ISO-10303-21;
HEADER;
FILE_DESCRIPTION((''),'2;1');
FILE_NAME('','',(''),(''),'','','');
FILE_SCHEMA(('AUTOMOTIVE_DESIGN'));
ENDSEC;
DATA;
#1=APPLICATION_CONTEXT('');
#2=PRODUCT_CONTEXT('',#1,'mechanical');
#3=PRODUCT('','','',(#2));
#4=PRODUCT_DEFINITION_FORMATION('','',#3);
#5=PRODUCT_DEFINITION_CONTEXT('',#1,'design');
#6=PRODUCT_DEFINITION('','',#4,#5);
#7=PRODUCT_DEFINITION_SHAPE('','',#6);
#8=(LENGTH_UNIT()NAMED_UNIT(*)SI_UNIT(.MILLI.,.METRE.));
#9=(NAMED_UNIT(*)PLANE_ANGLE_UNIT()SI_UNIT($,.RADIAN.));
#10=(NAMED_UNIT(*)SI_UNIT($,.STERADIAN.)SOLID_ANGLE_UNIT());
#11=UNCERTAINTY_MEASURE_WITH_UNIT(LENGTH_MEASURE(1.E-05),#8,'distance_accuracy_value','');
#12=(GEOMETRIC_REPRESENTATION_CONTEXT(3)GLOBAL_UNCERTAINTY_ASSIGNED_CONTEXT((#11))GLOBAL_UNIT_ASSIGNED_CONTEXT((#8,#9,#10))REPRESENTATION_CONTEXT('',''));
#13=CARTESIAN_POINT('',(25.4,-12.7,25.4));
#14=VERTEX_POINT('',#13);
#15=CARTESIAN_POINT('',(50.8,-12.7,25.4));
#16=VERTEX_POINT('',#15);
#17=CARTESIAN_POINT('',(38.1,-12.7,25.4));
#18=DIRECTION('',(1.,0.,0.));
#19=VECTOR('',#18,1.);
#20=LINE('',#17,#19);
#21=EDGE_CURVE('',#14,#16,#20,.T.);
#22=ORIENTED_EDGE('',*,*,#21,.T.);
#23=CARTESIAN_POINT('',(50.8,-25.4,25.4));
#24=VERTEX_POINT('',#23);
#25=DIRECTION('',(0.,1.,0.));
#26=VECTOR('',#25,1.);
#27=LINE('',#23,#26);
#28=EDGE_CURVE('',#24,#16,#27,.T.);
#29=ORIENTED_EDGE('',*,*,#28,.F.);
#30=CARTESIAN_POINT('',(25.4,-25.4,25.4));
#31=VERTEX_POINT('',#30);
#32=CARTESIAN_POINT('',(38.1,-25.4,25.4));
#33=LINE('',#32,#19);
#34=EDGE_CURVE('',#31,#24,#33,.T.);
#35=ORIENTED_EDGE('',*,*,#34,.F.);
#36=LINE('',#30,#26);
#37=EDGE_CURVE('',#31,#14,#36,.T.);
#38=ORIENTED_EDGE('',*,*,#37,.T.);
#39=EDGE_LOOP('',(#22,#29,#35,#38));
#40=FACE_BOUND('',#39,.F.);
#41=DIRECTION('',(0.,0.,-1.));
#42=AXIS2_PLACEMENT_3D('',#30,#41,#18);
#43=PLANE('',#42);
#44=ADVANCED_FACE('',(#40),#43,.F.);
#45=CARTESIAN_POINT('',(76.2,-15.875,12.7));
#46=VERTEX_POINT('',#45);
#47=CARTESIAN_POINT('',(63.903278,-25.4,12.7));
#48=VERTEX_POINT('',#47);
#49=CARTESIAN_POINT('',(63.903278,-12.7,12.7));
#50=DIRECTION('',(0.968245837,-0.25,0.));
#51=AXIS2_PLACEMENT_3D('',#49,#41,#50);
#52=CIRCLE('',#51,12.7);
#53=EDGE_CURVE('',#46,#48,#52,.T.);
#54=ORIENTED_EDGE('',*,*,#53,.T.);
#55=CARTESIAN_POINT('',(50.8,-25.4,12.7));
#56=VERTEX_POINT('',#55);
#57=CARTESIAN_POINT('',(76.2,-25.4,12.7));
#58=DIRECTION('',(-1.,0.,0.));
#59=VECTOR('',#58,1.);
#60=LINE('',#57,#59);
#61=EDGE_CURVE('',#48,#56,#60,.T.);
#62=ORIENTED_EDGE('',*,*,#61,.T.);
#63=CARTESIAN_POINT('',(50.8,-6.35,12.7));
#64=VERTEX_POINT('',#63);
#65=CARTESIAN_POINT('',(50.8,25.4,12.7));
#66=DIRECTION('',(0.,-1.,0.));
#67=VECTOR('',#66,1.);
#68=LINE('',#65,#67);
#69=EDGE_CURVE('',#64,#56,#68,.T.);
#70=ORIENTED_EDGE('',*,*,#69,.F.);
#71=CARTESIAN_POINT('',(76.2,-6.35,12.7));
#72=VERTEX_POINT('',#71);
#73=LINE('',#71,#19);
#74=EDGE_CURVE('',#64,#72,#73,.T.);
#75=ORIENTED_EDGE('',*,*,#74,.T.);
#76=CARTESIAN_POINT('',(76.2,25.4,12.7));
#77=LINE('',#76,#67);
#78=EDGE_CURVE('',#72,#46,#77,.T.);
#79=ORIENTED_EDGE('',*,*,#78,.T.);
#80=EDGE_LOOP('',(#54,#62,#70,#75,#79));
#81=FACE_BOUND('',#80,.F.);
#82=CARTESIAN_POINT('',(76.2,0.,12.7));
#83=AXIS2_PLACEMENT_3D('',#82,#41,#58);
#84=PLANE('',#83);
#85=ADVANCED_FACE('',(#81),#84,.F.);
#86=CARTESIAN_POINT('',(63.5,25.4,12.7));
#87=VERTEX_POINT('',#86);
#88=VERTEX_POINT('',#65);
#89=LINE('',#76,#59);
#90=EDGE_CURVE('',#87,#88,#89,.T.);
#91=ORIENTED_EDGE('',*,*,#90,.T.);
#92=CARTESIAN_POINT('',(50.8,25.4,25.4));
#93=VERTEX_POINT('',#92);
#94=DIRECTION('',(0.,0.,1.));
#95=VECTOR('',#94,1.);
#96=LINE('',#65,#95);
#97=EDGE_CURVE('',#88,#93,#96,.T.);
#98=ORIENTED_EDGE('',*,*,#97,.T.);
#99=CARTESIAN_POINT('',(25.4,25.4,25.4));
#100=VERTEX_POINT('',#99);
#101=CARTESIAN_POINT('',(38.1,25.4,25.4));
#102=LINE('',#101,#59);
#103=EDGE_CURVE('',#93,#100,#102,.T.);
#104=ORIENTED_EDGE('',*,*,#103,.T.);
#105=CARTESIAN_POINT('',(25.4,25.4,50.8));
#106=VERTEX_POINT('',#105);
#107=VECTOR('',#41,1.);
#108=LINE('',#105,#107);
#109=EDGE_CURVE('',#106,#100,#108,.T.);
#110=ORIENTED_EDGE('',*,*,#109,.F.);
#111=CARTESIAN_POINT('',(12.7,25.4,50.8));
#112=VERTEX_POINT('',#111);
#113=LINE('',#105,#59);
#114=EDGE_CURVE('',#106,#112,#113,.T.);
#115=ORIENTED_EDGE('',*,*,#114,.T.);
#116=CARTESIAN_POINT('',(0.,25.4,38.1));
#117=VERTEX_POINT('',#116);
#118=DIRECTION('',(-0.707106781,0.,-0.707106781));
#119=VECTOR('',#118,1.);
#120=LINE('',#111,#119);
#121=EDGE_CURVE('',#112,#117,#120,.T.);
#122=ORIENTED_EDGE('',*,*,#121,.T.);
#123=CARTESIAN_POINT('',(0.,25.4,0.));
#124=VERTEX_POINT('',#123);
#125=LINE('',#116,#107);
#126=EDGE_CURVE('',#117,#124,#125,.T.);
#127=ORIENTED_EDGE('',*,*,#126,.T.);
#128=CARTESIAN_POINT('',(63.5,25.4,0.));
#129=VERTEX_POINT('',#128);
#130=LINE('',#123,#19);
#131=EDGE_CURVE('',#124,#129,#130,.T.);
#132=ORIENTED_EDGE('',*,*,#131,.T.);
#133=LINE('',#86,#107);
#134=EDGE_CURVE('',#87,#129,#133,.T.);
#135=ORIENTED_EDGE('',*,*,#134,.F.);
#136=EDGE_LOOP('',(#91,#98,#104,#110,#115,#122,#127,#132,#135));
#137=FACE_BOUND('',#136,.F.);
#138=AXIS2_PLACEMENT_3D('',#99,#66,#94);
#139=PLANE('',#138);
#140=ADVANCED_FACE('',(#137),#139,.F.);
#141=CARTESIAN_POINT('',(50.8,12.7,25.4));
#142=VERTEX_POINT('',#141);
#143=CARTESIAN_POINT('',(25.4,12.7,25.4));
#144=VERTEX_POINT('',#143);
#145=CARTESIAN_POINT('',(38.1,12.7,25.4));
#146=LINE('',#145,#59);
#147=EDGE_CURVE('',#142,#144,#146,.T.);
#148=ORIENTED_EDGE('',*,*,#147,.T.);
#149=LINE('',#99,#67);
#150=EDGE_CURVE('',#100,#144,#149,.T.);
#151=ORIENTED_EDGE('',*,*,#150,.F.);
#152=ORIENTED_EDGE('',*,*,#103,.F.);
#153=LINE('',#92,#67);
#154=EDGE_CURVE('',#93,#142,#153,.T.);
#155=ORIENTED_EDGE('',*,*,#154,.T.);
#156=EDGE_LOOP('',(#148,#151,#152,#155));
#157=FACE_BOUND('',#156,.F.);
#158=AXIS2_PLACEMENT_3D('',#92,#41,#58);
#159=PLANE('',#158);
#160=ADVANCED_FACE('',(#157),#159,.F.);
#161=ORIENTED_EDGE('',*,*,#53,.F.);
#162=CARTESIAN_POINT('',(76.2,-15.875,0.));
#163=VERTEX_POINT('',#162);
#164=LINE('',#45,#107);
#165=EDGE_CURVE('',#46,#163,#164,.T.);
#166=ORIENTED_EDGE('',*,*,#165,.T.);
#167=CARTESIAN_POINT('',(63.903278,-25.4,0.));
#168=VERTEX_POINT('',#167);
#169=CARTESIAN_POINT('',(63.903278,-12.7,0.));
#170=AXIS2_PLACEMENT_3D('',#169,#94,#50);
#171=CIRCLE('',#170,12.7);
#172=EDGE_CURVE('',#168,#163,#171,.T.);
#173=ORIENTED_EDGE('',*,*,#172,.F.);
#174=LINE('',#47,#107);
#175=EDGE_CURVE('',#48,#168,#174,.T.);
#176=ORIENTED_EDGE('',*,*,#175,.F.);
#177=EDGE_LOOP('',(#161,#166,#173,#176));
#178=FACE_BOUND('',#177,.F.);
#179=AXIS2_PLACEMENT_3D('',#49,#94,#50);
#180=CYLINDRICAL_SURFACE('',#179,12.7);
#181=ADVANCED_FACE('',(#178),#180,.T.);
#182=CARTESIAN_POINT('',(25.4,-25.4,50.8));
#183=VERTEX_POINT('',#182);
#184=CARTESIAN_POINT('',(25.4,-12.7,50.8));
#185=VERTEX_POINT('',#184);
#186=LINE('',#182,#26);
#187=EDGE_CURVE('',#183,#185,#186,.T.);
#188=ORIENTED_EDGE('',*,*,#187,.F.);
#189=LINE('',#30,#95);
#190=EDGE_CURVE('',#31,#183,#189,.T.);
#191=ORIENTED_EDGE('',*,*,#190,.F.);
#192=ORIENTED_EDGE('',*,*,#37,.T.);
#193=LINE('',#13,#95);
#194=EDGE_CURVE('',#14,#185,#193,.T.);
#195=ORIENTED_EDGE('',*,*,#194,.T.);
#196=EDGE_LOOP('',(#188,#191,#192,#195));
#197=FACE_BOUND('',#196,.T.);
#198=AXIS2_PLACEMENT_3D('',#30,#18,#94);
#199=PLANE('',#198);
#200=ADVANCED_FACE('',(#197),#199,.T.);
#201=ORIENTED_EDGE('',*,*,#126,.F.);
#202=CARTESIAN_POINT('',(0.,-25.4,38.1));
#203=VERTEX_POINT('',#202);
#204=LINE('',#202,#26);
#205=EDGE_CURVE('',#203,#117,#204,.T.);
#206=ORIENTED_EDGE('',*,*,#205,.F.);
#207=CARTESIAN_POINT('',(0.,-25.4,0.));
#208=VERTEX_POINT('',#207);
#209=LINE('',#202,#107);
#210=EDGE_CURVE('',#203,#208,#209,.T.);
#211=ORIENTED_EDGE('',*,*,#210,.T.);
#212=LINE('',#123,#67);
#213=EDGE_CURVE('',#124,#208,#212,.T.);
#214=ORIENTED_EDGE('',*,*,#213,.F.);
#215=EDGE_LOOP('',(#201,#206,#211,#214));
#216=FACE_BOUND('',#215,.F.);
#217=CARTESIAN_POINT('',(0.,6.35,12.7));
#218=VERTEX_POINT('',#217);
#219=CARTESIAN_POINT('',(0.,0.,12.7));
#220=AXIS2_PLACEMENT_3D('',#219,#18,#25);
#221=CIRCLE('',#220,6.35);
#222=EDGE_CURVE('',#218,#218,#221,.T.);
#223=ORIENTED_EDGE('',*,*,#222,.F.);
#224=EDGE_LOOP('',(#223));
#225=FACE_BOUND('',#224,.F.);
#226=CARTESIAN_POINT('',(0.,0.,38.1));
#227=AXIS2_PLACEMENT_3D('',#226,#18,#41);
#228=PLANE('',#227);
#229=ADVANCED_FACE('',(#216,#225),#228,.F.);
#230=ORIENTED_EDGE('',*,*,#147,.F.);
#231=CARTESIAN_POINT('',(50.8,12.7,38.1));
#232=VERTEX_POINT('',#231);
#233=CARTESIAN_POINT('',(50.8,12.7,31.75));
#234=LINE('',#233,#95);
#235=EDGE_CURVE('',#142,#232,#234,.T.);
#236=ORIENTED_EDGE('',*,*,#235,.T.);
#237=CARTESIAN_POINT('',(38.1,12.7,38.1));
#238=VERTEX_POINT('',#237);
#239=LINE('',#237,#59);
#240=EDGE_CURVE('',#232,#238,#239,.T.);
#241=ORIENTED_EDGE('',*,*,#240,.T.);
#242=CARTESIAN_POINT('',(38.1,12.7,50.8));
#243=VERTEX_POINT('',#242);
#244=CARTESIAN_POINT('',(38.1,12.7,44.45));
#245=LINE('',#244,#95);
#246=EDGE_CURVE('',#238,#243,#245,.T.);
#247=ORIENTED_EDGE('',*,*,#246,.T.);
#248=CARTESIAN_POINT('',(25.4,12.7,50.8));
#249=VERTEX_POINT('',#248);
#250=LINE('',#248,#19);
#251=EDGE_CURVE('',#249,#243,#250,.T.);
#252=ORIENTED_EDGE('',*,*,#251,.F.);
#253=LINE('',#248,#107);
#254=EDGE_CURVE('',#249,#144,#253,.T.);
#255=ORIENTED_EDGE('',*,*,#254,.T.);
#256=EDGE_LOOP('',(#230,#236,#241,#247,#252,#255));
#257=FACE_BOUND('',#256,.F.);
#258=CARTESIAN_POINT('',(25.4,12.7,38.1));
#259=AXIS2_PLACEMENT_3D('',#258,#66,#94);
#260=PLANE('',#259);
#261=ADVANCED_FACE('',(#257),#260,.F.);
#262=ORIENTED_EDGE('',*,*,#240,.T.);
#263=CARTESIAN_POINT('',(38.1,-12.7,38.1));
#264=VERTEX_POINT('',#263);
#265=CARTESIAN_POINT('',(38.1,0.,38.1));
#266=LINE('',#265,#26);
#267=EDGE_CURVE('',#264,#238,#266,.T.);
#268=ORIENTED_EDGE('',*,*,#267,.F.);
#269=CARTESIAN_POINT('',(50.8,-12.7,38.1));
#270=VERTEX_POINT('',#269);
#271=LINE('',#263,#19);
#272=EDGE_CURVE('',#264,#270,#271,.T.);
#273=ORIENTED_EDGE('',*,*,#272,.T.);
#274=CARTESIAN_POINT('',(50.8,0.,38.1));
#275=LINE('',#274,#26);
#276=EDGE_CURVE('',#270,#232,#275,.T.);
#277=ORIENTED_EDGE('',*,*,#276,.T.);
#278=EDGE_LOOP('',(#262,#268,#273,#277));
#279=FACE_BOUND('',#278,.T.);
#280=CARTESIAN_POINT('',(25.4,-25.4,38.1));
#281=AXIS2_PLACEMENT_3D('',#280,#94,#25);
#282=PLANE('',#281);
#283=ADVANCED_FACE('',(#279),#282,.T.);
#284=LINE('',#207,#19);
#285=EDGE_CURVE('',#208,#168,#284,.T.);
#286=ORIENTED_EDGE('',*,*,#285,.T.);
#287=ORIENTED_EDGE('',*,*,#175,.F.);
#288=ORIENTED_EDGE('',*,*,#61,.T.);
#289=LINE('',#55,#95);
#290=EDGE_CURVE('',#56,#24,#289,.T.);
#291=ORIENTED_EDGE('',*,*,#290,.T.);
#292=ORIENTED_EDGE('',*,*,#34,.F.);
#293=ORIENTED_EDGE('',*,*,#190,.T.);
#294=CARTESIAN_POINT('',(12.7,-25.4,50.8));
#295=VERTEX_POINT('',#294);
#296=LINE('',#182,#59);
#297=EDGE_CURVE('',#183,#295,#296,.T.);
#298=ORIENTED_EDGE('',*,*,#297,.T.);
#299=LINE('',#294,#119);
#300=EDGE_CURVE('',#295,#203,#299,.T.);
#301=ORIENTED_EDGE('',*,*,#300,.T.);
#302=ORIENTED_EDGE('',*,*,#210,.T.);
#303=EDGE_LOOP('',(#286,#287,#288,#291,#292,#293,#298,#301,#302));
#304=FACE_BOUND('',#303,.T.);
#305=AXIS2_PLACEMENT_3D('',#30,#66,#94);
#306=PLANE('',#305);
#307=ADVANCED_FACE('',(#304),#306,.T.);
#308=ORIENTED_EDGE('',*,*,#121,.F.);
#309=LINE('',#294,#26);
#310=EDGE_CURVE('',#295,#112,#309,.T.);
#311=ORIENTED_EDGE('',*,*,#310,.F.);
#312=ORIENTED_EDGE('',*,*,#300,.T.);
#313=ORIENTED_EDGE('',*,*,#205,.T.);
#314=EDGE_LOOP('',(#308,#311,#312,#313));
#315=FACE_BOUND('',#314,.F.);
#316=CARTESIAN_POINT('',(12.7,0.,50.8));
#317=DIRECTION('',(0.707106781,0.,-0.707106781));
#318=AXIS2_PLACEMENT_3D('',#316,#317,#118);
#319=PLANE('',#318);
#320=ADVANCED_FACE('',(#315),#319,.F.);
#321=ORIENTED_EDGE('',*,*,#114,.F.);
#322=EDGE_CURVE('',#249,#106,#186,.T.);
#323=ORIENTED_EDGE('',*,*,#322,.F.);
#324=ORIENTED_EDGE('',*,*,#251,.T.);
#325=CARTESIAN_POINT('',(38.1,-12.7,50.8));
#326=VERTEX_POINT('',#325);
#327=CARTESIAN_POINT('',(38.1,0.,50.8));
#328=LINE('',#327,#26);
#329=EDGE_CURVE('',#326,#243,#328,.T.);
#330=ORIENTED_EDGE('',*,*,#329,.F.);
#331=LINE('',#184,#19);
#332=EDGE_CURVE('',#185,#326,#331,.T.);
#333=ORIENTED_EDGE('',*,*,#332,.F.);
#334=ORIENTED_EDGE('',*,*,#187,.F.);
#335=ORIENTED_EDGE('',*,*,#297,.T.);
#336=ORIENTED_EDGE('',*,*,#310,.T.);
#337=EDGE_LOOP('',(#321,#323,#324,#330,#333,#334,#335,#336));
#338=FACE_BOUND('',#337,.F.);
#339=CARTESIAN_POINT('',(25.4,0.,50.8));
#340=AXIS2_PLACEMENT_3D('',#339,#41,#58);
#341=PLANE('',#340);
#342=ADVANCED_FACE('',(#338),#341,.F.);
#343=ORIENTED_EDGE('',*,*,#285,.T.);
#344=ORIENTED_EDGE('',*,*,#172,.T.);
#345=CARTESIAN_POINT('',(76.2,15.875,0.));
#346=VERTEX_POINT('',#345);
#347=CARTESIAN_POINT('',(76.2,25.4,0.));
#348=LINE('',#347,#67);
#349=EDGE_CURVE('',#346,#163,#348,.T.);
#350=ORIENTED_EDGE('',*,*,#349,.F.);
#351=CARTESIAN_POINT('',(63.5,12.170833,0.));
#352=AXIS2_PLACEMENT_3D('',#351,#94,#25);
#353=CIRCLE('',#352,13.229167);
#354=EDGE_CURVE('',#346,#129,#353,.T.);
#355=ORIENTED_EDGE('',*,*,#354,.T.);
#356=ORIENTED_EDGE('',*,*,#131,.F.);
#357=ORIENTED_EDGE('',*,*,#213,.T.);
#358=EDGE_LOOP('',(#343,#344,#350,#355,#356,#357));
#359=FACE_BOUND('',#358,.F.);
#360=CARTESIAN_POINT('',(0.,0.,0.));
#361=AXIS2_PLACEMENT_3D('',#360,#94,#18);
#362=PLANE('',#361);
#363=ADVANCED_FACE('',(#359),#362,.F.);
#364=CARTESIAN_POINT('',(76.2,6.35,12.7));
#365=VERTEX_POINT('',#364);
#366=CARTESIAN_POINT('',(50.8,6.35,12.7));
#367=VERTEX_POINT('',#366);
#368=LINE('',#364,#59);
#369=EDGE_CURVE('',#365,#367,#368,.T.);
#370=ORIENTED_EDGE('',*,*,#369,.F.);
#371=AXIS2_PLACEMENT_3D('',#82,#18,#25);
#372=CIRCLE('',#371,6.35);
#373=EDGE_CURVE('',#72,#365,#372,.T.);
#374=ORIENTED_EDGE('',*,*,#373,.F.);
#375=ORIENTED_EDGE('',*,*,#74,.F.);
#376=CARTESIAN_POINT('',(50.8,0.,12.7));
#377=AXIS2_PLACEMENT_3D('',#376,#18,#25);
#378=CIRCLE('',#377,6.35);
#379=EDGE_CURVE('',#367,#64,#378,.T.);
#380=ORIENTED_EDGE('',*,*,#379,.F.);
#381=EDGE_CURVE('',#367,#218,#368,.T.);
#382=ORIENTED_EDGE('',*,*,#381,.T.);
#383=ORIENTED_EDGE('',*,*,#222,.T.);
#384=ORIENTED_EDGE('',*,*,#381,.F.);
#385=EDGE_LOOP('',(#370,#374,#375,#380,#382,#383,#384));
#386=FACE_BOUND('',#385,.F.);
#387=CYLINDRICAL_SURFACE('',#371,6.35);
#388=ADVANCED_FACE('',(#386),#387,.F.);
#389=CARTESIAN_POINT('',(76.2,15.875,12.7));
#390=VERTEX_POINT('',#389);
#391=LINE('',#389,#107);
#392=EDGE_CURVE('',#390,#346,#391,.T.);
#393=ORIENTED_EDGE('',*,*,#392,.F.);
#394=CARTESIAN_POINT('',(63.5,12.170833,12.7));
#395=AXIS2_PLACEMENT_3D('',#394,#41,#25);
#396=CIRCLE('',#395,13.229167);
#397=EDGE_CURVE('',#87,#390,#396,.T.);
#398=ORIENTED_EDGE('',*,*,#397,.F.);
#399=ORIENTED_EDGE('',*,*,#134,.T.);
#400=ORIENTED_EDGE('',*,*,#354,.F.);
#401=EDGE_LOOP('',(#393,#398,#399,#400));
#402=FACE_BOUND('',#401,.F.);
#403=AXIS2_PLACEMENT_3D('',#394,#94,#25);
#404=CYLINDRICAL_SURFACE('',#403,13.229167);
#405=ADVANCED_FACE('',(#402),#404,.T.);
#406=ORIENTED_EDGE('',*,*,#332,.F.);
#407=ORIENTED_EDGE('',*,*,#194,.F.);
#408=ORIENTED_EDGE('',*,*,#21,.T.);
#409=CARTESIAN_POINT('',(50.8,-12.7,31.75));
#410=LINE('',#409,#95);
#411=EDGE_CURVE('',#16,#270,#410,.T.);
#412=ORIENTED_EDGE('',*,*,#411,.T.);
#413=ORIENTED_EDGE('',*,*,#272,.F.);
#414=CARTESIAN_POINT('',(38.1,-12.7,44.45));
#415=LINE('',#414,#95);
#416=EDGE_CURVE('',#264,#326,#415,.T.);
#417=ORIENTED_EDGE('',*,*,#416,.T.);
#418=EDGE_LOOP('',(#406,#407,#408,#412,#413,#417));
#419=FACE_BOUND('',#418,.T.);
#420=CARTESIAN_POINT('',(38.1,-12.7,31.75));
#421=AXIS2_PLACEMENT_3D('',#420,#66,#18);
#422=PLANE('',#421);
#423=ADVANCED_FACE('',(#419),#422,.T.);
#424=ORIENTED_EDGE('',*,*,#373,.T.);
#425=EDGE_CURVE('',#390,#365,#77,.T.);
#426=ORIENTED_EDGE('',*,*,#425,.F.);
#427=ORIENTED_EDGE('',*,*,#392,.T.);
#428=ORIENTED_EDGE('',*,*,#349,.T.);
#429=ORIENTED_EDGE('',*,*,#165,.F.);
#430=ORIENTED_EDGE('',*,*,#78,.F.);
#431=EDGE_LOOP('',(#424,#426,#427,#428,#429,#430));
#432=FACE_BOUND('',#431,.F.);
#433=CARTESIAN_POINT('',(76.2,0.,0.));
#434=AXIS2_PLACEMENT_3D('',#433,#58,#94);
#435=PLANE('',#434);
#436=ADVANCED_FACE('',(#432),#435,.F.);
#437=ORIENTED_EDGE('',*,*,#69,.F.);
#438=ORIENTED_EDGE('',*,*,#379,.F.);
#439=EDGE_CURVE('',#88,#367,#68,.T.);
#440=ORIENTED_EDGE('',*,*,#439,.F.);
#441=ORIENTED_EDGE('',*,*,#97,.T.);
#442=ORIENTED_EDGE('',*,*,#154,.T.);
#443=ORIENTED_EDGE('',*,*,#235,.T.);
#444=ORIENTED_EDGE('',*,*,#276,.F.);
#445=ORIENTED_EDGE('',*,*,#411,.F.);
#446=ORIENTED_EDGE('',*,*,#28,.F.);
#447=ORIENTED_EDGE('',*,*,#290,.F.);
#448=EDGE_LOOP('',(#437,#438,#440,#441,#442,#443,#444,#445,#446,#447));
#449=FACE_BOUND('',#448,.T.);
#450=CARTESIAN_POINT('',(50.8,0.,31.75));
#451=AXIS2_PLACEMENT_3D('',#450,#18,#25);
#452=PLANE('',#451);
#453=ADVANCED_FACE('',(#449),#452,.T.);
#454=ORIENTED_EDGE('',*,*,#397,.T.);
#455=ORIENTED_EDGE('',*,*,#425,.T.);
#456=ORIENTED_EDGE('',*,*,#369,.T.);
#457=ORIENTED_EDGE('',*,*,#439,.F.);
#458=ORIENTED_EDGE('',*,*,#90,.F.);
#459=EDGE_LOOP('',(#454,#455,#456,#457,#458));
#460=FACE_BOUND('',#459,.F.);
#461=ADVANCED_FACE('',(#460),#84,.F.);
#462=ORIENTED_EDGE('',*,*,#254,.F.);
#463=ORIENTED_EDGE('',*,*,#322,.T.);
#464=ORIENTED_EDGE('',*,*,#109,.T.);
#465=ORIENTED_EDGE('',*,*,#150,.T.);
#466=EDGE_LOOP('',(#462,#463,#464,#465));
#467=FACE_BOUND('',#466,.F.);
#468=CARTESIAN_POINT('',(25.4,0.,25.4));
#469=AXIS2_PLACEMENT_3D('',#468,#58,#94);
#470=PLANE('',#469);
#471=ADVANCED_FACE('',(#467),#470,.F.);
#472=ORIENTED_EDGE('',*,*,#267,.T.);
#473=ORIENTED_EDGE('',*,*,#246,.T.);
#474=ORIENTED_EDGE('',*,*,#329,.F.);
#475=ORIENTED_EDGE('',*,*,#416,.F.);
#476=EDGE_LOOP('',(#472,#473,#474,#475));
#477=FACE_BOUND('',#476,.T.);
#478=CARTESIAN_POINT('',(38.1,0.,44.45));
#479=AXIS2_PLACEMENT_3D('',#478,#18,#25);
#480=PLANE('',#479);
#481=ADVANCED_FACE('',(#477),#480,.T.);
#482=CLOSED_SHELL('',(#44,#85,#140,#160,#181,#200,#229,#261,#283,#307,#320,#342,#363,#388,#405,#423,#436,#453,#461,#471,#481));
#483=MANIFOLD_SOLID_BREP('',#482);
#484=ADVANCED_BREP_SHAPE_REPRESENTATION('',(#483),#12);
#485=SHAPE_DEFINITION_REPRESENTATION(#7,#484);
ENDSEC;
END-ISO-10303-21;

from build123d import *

# Parameters (mm, degrees)
F1_DEPTH      = 25.4
F1_DEPTH_BACK = 25.4
F2_W          = 25.4
F2_H          = 12.7
F3_DEPTH      = 12.7
F4_W          = 50.8
F4_H          = 12.7
F5_DEPTH      = 25.4
F6_W          = 25.4
F6_H          = 12.7
F7_DEPTH      = 12.7
F8_W          = 25.4
F8_H          = 12.7
F9_DEPTH      = 12.7
F10_R         = 6.35
F11_DEPTH     = 76.201
F13_DEPTH     = 12.701
F15_DEPTH     = 12.701


with BuildPart() as f1:
    # F0 (on Front) → F1 (new body, two sides)
    with BuildSketch(Plane.XZ) as f1_sk:
        Polygon((0, 38.1), (0, 0), (76.2, 0), (76.2, 12.7), (50.8, 12.7), (50.8, 25.4), (25.4, 25.4), (25.4, 50.8), (12.7, 50.8), align=None)
    extrude(amount=-F1_DEPTH)
    extrude(f1_sk.sketch, amount=F1_DEPTH_BACK)

    # F2 (on face) → F3 (join)
    with BuildSketch(Plane.YZ.offset(25.4)):
        with Locations((0, 44.45)):
            Rectangle(F2_W, F2_H)
    extrude(amount=F3_DEPTH)

    # F4 (on face) → F5 (join)
    with BuildSketch(Plane.YZ.offset(25.4)):
        with Locations((0, 31.75)):
            Rectangle(F4_W, F4_H)
    extrude(amount=F5_DEPTH)

    # F6 (on face) → F7 (cut)
    with BuildSketch(Plane.XZ.offset(25.4)):
        with Locations((38.1, 31.75)):
            Rectangle(F6_W, F6_H)
    extrude(amount=-F7_DEPTH, mode=Mode.SUBTRACT)

    # F8 (on face) → F9 (cut)
    with BuildSketch(Plane(origin=(0, 25.4, 0), x_dir=(-1, 0, 0), z_dir=(0, 1, 0))):
        with Locations((-38.1, 31.75)):
            Rectangle(F8_W, F8_H)
    extrude(amount=-F9_DEPTH, mode=Mode.SUBTRACT)

    # F10 (on face) → F11 (cut, through all)
    with BuildSketch(Plane.YZ.offset(76.2)):
        with Locations((0, 12.7)):
            Circle(F10_R)
    extrude(amount=-F11_DEPTH, mode=Mode.SUBTRACT)

    # F12 (on face) → F13 (cut, through all)
    with BuildSketch(Plane.XY.offset(12.7)):
        with BuildLine():
            Line((76.2, -25.4), (76.2, -15.875))
            ThreePointArc((76.2, -15.875), (71.6804078091, -22.740231571), (63.9032778758, -25.4))
            Line((63.9032778758, -25.4), (76.2, -25.4))
        make_face()
    extrude(amount=-F13_DEPTH, mode=Mode.SUBTRACT)

    # F14 (on face) → F15 (cut, through all)
    with BuildSketch(Plane.XY.offset(12.7)):
        with BuildLine():
            ThreePointArc((63.5, 25.4), (71.4375, 22.7541666667), (76.2, 15.875))
            Line((76.2, 15.875), (76.2, 25.4))
            Line((76.2, 25.4), (63.5, 25.4))
        make_face()
    extrude(amount=-F15_DEPTH, mode=Mode.SUBTRACT)


solid = f1.part
